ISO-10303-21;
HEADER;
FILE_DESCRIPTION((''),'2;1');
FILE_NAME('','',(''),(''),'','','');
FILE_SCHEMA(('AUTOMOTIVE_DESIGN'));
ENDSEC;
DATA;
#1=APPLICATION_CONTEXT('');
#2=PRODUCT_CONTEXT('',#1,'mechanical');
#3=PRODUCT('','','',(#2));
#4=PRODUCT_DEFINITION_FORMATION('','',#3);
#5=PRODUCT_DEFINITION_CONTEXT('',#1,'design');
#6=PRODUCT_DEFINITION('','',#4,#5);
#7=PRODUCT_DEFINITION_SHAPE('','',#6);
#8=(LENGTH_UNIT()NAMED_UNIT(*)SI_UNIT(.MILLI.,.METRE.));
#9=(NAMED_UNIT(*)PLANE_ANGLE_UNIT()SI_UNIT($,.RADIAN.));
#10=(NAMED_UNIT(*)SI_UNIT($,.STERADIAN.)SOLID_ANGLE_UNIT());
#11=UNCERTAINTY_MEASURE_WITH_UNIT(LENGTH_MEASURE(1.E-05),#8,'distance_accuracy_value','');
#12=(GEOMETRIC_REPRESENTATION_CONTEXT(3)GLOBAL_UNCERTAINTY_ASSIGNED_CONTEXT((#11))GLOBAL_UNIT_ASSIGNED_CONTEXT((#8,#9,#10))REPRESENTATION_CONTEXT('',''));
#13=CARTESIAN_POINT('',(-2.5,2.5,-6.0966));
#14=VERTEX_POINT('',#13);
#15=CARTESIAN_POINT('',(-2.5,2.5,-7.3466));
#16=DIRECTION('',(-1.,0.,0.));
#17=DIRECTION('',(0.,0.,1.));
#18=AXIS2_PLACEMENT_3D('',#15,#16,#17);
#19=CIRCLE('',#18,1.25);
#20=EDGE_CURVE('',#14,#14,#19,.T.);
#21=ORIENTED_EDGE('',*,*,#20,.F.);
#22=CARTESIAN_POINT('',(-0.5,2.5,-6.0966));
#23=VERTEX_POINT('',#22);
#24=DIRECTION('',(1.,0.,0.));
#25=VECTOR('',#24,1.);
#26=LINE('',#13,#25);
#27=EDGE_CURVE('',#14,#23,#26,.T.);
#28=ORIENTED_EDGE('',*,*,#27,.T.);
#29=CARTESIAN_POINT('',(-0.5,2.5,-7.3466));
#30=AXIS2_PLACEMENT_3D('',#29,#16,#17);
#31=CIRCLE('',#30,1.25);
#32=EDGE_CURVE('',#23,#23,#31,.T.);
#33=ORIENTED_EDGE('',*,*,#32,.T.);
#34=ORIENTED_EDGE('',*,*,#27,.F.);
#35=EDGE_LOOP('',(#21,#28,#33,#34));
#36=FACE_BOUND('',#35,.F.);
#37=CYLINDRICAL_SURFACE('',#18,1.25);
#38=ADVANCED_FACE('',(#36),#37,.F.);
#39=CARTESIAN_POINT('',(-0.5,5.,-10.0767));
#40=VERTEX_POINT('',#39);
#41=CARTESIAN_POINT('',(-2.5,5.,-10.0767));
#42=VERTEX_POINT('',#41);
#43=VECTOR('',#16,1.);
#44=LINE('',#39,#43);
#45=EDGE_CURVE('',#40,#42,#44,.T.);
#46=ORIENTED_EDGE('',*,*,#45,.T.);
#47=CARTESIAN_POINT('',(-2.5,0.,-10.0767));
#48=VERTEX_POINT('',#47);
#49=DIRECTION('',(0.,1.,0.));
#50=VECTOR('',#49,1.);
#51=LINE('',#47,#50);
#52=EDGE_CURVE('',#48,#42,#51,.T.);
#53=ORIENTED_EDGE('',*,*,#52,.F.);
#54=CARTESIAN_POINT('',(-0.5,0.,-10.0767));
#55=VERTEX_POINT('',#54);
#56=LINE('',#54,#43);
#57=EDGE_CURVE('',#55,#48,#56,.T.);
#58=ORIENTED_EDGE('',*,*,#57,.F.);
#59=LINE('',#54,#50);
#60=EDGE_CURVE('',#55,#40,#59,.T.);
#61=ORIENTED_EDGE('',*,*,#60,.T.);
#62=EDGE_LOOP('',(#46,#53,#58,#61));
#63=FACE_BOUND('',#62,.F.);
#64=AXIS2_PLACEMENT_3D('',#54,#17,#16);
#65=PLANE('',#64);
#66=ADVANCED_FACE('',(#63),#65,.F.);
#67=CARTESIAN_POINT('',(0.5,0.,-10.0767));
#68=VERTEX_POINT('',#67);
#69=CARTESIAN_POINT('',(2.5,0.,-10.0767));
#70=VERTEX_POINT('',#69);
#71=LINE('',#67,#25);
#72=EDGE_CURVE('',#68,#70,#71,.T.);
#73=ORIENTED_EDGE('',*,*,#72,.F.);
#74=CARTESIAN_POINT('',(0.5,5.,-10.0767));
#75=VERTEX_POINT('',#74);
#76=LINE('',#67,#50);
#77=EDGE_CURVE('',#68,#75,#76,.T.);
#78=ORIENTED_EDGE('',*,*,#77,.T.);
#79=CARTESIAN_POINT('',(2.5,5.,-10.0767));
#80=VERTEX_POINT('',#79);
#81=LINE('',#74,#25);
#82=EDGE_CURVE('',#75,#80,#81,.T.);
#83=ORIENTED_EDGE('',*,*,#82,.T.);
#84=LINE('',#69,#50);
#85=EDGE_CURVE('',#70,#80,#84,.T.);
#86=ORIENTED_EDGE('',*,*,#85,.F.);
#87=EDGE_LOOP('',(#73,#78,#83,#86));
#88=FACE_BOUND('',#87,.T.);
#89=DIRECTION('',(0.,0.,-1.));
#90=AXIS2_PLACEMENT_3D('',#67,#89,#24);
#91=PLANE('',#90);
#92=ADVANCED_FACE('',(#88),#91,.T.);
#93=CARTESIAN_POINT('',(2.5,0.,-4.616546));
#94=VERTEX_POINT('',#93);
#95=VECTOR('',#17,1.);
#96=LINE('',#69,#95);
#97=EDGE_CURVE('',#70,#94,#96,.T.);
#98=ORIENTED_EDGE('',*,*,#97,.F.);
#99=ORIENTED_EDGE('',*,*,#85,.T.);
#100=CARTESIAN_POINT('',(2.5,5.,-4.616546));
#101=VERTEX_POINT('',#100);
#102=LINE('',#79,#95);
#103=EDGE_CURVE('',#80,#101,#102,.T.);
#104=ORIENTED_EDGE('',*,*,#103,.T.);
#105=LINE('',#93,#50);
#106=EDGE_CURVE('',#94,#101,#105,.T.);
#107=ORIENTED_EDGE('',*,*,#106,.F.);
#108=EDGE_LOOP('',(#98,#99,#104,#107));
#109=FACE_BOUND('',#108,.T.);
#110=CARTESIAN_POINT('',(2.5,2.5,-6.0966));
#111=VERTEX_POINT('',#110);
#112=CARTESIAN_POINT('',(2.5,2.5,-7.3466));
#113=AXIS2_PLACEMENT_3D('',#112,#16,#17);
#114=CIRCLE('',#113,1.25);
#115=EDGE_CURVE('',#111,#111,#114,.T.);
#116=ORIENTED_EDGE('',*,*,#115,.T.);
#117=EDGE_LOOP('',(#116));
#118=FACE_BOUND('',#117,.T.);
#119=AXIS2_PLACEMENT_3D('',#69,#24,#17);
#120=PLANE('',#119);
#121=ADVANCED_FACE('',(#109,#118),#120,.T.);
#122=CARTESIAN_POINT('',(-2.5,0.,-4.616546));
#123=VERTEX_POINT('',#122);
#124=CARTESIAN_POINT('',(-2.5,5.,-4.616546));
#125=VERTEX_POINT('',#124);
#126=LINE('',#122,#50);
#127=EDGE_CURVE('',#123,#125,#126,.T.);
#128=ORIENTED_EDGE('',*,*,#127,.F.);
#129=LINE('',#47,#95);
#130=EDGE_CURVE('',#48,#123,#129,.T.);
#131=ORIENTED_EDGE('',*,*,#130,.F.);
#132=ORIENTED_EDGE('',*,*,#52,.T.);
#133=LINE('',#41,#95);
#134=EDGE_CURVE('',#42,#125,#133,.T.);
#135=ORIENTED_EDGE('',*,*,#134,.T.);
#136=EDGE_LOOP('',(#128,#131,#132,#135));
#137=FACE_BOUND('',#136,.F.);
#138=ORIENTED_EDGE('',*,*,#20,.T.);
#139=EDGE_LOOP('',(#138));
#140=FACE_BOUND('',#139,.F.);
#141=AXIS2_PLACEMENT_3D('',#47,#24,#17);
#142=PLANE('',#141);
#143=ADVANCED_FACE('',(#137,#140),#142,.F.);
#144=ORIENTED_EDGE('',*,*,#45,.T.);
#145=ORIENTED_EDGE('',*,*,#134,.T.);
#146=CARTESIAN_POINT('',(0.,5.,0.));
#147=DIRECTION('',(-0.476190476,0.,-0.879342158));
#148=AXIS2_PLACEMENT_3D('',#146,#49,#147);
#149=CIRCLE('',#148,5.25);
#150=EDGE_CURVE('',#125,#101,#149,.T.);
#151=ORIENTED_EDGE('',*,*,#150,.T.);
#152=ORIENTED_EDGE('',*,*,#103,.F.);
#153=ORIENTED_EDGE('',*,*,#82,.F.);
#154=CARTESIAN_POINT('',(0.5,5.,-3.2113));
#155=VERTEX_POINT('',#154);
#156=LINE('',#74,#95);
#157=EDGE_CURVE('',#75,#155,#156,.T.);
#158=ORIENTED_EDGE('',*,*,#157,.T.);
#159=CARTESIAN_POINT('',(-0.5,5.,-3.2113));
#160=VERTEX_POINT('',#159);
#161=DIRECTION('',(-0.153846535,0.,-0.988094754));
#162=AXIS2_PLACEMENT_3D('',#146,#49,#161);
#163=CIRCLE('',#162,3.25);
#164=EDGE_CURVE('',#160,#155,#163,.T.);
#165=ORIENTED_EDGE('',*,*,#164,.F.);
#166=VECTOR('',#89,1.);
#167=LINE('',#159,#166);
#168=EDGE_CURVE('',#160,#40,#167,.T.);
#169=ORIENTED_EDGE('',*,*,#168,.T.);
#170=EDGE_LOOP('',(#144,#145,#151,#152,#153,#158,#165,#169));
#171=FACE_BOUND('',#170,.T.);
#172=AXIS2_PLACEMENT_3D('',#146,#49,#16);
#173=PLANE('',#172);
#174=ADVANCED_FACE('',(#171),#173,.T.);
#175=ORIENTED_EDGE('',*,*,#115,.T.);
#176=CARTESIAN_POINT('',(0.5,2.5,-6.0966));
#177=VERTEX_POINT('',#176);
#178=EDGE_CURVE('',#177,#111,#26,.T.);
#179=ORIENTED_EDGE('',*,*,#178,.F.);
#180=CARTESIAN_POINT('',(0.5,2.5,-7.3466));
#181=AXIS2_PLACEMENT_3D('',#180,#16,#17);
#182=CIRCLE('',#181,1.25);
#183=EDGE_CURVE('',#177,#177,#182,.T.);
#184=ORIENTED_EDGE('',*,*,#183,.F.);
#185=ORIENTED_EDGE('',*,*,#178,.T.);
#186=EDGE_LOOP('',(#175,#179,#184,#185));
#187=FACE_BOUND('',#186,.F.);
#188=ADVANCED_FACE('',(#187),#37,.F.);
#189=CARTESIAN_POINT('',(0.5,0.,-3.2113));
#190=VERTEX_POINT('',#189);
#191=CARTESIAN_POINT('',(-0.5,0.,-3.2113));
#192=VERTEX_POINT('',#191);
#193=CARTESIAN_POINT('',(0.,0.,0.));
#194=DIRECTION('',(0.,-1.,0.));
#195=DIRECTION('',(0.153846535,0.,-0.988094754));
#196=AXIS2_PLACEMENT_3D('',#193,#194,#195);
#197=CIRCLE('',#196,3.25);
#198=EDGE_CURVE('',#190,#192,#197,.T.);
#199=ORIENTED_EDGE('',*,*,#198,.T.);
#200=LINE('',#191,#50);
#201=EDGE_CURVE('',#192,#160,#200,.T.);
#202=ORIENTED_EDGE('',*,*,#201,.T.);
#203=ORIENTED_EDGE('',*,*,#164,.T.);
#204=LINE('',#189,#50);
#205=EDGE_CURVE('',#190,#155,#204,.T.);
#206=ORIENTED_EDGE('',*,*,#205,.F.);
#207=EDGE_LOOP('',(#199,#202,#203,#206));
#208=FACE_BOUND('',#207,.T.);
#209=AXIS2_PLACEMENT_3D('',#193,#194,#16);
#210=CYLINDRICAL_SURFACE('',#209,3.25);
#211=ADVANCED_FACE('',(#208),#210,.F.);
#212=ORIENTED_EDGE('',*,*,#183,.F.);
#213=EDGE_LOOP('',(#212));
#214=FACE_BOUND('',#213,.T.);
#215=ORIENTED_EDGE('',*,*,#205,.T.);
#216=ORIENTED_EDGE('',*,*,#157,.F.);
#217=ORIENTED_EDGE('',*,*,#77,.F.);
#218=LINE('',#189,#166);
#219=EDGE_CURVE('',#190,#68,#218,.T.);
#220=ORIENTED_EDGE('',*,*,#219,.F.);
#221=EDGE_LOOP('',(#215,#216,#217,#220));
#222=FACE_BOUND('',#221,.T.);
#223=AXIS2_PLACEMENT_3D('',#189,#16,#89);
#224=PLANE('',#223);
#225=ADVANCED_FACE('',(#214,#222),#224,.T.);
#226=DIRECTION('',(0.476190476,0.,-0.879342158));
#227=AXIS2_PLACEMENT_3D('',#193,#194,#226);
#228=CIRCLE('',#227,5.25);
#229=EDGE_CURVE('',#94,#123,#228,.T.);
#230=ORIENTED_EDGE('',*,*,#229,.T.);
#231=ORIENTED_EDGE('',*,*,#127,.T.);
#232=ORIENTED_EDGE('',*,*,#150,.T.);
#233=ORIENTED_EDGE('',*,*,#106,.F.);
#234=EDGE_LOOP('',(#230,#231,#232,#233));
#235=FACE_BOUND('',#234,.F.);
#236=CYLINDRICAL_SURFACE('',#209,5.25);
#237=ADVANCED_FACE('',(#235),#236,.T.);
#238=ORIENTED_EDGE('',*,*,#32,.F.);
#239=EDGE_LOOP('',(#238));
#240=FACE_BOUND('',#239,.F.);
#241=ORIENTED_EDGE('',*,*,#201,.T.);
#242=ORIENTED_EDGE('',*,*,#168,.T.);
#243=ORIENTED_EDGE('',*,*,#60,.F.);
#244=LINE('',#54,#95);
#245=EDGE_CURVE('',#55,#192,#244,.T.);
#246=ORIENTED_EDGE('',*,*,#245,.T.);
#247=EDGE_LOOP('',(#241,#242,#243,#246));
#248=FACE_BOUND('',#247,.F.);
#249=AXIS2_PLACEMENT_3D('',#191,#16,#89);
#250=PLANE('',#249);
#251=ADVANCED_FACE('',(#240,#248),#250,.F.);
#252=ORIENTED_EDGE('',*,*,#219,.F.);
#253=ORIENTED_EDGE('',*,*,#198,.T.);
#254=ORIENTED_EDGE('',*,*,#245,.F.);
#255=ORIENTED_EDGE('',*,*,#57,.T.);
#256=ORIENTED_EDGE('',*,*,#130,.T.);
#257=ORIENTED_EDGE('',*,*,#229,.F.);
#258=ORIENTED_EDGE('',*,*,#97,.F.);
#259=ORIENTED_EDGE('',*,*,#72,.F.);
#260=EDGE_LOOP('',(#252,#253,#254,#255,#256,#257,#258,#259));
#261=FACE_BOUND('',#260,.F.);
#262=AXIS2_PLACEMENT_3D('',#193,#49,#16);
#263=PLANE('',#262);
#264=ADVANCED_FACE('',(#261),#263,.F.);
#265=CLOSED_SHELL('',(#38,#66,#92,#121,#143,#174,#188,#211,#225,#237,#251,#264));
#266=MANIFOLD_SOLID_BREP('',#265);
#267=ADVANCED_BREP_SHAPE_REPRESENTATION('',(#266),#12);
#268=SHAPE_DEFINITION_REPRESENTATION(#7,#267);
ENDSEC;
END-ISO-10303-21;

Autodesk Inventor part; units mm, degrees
ref_plane "YZ Plane" through (0, 0, 0) normal (1, 0, 0) x (0, 1, 0)
ref_plane "XZ Plane" through (0, 0, 0) normal (0, 1, 0) x (-1, 0, 0)
ref_plane "XY Plane" through (0, 0, 0) normal (0, 0, 1) x (1, 0, 0)
sketch "Sketch1" plane through (0, 0, 0) normal (0, 1, 0) x (-1, 0, 0)
  circle A0 centre (0, 0) radius 3.25
  circle A1 centre (0, 0) radius 5.25
  line L0 (0.5, -3.2113) -> (0.5, -10.0767)
  line L1 (0.5, -10.0767) -> (2.5, -10.0767)
  line L2 (2.5, -10.0767) -> (2.5, -2.0767)
  line L3 (0, 0) -> (0, -1.3981)
  line L4 (-0.5, -3.2113) -> (-0.5, -10.0767)
  line L5 (-0.5, -10.0767) -> (-2.5, -10.0767)
  line L6 (-2.5, -10.0767) -> (-2.5, -2.0767)
  point P0 (0, -5.25)
  point P1 (2.5, -4.6165)
  point P2 (-2.5, -4.6165)
  dimension "d1" = 10.5
  dimension "d0" = 6.5
  dimension "d6" = 0.5
  dimension "d7" = 2
  dimension "d8" = 8
extrude "Extrusion1" add sketch "Sketch1" along normal blind 5 contours A0 L6 A1 L2 | A0 L4 A1 L6 | L2 A1 L0 A0 | A1 L4 L5 L6 | L2 L1 L0 A1
sketch "Sketch2" plane through (-2.5, 0, -10.0767) normal (-1, 0, 0) x (0, 0, 1)
  line L0 (0, 0) -> (5.4601, 0) projected
  line L1 (5.4601, 0) -> (5.4601, 5) projected
  line L2 (0, 5) -> (5.4601, 5) projected
  line L3 (0, 0) -> (0, 5) projected
  circle A0 centre (2.7301, 2.5) radius 1.25
  point P0 (10.0767, 0)
  point P1 (0, 2.5)
  point P2 (2.7301, 0)
  dimension "d11" = 2.5
extrude "Extrusion2" cut sketch "Sketch2" against normal through all contours A0
properties part number "clamp"
